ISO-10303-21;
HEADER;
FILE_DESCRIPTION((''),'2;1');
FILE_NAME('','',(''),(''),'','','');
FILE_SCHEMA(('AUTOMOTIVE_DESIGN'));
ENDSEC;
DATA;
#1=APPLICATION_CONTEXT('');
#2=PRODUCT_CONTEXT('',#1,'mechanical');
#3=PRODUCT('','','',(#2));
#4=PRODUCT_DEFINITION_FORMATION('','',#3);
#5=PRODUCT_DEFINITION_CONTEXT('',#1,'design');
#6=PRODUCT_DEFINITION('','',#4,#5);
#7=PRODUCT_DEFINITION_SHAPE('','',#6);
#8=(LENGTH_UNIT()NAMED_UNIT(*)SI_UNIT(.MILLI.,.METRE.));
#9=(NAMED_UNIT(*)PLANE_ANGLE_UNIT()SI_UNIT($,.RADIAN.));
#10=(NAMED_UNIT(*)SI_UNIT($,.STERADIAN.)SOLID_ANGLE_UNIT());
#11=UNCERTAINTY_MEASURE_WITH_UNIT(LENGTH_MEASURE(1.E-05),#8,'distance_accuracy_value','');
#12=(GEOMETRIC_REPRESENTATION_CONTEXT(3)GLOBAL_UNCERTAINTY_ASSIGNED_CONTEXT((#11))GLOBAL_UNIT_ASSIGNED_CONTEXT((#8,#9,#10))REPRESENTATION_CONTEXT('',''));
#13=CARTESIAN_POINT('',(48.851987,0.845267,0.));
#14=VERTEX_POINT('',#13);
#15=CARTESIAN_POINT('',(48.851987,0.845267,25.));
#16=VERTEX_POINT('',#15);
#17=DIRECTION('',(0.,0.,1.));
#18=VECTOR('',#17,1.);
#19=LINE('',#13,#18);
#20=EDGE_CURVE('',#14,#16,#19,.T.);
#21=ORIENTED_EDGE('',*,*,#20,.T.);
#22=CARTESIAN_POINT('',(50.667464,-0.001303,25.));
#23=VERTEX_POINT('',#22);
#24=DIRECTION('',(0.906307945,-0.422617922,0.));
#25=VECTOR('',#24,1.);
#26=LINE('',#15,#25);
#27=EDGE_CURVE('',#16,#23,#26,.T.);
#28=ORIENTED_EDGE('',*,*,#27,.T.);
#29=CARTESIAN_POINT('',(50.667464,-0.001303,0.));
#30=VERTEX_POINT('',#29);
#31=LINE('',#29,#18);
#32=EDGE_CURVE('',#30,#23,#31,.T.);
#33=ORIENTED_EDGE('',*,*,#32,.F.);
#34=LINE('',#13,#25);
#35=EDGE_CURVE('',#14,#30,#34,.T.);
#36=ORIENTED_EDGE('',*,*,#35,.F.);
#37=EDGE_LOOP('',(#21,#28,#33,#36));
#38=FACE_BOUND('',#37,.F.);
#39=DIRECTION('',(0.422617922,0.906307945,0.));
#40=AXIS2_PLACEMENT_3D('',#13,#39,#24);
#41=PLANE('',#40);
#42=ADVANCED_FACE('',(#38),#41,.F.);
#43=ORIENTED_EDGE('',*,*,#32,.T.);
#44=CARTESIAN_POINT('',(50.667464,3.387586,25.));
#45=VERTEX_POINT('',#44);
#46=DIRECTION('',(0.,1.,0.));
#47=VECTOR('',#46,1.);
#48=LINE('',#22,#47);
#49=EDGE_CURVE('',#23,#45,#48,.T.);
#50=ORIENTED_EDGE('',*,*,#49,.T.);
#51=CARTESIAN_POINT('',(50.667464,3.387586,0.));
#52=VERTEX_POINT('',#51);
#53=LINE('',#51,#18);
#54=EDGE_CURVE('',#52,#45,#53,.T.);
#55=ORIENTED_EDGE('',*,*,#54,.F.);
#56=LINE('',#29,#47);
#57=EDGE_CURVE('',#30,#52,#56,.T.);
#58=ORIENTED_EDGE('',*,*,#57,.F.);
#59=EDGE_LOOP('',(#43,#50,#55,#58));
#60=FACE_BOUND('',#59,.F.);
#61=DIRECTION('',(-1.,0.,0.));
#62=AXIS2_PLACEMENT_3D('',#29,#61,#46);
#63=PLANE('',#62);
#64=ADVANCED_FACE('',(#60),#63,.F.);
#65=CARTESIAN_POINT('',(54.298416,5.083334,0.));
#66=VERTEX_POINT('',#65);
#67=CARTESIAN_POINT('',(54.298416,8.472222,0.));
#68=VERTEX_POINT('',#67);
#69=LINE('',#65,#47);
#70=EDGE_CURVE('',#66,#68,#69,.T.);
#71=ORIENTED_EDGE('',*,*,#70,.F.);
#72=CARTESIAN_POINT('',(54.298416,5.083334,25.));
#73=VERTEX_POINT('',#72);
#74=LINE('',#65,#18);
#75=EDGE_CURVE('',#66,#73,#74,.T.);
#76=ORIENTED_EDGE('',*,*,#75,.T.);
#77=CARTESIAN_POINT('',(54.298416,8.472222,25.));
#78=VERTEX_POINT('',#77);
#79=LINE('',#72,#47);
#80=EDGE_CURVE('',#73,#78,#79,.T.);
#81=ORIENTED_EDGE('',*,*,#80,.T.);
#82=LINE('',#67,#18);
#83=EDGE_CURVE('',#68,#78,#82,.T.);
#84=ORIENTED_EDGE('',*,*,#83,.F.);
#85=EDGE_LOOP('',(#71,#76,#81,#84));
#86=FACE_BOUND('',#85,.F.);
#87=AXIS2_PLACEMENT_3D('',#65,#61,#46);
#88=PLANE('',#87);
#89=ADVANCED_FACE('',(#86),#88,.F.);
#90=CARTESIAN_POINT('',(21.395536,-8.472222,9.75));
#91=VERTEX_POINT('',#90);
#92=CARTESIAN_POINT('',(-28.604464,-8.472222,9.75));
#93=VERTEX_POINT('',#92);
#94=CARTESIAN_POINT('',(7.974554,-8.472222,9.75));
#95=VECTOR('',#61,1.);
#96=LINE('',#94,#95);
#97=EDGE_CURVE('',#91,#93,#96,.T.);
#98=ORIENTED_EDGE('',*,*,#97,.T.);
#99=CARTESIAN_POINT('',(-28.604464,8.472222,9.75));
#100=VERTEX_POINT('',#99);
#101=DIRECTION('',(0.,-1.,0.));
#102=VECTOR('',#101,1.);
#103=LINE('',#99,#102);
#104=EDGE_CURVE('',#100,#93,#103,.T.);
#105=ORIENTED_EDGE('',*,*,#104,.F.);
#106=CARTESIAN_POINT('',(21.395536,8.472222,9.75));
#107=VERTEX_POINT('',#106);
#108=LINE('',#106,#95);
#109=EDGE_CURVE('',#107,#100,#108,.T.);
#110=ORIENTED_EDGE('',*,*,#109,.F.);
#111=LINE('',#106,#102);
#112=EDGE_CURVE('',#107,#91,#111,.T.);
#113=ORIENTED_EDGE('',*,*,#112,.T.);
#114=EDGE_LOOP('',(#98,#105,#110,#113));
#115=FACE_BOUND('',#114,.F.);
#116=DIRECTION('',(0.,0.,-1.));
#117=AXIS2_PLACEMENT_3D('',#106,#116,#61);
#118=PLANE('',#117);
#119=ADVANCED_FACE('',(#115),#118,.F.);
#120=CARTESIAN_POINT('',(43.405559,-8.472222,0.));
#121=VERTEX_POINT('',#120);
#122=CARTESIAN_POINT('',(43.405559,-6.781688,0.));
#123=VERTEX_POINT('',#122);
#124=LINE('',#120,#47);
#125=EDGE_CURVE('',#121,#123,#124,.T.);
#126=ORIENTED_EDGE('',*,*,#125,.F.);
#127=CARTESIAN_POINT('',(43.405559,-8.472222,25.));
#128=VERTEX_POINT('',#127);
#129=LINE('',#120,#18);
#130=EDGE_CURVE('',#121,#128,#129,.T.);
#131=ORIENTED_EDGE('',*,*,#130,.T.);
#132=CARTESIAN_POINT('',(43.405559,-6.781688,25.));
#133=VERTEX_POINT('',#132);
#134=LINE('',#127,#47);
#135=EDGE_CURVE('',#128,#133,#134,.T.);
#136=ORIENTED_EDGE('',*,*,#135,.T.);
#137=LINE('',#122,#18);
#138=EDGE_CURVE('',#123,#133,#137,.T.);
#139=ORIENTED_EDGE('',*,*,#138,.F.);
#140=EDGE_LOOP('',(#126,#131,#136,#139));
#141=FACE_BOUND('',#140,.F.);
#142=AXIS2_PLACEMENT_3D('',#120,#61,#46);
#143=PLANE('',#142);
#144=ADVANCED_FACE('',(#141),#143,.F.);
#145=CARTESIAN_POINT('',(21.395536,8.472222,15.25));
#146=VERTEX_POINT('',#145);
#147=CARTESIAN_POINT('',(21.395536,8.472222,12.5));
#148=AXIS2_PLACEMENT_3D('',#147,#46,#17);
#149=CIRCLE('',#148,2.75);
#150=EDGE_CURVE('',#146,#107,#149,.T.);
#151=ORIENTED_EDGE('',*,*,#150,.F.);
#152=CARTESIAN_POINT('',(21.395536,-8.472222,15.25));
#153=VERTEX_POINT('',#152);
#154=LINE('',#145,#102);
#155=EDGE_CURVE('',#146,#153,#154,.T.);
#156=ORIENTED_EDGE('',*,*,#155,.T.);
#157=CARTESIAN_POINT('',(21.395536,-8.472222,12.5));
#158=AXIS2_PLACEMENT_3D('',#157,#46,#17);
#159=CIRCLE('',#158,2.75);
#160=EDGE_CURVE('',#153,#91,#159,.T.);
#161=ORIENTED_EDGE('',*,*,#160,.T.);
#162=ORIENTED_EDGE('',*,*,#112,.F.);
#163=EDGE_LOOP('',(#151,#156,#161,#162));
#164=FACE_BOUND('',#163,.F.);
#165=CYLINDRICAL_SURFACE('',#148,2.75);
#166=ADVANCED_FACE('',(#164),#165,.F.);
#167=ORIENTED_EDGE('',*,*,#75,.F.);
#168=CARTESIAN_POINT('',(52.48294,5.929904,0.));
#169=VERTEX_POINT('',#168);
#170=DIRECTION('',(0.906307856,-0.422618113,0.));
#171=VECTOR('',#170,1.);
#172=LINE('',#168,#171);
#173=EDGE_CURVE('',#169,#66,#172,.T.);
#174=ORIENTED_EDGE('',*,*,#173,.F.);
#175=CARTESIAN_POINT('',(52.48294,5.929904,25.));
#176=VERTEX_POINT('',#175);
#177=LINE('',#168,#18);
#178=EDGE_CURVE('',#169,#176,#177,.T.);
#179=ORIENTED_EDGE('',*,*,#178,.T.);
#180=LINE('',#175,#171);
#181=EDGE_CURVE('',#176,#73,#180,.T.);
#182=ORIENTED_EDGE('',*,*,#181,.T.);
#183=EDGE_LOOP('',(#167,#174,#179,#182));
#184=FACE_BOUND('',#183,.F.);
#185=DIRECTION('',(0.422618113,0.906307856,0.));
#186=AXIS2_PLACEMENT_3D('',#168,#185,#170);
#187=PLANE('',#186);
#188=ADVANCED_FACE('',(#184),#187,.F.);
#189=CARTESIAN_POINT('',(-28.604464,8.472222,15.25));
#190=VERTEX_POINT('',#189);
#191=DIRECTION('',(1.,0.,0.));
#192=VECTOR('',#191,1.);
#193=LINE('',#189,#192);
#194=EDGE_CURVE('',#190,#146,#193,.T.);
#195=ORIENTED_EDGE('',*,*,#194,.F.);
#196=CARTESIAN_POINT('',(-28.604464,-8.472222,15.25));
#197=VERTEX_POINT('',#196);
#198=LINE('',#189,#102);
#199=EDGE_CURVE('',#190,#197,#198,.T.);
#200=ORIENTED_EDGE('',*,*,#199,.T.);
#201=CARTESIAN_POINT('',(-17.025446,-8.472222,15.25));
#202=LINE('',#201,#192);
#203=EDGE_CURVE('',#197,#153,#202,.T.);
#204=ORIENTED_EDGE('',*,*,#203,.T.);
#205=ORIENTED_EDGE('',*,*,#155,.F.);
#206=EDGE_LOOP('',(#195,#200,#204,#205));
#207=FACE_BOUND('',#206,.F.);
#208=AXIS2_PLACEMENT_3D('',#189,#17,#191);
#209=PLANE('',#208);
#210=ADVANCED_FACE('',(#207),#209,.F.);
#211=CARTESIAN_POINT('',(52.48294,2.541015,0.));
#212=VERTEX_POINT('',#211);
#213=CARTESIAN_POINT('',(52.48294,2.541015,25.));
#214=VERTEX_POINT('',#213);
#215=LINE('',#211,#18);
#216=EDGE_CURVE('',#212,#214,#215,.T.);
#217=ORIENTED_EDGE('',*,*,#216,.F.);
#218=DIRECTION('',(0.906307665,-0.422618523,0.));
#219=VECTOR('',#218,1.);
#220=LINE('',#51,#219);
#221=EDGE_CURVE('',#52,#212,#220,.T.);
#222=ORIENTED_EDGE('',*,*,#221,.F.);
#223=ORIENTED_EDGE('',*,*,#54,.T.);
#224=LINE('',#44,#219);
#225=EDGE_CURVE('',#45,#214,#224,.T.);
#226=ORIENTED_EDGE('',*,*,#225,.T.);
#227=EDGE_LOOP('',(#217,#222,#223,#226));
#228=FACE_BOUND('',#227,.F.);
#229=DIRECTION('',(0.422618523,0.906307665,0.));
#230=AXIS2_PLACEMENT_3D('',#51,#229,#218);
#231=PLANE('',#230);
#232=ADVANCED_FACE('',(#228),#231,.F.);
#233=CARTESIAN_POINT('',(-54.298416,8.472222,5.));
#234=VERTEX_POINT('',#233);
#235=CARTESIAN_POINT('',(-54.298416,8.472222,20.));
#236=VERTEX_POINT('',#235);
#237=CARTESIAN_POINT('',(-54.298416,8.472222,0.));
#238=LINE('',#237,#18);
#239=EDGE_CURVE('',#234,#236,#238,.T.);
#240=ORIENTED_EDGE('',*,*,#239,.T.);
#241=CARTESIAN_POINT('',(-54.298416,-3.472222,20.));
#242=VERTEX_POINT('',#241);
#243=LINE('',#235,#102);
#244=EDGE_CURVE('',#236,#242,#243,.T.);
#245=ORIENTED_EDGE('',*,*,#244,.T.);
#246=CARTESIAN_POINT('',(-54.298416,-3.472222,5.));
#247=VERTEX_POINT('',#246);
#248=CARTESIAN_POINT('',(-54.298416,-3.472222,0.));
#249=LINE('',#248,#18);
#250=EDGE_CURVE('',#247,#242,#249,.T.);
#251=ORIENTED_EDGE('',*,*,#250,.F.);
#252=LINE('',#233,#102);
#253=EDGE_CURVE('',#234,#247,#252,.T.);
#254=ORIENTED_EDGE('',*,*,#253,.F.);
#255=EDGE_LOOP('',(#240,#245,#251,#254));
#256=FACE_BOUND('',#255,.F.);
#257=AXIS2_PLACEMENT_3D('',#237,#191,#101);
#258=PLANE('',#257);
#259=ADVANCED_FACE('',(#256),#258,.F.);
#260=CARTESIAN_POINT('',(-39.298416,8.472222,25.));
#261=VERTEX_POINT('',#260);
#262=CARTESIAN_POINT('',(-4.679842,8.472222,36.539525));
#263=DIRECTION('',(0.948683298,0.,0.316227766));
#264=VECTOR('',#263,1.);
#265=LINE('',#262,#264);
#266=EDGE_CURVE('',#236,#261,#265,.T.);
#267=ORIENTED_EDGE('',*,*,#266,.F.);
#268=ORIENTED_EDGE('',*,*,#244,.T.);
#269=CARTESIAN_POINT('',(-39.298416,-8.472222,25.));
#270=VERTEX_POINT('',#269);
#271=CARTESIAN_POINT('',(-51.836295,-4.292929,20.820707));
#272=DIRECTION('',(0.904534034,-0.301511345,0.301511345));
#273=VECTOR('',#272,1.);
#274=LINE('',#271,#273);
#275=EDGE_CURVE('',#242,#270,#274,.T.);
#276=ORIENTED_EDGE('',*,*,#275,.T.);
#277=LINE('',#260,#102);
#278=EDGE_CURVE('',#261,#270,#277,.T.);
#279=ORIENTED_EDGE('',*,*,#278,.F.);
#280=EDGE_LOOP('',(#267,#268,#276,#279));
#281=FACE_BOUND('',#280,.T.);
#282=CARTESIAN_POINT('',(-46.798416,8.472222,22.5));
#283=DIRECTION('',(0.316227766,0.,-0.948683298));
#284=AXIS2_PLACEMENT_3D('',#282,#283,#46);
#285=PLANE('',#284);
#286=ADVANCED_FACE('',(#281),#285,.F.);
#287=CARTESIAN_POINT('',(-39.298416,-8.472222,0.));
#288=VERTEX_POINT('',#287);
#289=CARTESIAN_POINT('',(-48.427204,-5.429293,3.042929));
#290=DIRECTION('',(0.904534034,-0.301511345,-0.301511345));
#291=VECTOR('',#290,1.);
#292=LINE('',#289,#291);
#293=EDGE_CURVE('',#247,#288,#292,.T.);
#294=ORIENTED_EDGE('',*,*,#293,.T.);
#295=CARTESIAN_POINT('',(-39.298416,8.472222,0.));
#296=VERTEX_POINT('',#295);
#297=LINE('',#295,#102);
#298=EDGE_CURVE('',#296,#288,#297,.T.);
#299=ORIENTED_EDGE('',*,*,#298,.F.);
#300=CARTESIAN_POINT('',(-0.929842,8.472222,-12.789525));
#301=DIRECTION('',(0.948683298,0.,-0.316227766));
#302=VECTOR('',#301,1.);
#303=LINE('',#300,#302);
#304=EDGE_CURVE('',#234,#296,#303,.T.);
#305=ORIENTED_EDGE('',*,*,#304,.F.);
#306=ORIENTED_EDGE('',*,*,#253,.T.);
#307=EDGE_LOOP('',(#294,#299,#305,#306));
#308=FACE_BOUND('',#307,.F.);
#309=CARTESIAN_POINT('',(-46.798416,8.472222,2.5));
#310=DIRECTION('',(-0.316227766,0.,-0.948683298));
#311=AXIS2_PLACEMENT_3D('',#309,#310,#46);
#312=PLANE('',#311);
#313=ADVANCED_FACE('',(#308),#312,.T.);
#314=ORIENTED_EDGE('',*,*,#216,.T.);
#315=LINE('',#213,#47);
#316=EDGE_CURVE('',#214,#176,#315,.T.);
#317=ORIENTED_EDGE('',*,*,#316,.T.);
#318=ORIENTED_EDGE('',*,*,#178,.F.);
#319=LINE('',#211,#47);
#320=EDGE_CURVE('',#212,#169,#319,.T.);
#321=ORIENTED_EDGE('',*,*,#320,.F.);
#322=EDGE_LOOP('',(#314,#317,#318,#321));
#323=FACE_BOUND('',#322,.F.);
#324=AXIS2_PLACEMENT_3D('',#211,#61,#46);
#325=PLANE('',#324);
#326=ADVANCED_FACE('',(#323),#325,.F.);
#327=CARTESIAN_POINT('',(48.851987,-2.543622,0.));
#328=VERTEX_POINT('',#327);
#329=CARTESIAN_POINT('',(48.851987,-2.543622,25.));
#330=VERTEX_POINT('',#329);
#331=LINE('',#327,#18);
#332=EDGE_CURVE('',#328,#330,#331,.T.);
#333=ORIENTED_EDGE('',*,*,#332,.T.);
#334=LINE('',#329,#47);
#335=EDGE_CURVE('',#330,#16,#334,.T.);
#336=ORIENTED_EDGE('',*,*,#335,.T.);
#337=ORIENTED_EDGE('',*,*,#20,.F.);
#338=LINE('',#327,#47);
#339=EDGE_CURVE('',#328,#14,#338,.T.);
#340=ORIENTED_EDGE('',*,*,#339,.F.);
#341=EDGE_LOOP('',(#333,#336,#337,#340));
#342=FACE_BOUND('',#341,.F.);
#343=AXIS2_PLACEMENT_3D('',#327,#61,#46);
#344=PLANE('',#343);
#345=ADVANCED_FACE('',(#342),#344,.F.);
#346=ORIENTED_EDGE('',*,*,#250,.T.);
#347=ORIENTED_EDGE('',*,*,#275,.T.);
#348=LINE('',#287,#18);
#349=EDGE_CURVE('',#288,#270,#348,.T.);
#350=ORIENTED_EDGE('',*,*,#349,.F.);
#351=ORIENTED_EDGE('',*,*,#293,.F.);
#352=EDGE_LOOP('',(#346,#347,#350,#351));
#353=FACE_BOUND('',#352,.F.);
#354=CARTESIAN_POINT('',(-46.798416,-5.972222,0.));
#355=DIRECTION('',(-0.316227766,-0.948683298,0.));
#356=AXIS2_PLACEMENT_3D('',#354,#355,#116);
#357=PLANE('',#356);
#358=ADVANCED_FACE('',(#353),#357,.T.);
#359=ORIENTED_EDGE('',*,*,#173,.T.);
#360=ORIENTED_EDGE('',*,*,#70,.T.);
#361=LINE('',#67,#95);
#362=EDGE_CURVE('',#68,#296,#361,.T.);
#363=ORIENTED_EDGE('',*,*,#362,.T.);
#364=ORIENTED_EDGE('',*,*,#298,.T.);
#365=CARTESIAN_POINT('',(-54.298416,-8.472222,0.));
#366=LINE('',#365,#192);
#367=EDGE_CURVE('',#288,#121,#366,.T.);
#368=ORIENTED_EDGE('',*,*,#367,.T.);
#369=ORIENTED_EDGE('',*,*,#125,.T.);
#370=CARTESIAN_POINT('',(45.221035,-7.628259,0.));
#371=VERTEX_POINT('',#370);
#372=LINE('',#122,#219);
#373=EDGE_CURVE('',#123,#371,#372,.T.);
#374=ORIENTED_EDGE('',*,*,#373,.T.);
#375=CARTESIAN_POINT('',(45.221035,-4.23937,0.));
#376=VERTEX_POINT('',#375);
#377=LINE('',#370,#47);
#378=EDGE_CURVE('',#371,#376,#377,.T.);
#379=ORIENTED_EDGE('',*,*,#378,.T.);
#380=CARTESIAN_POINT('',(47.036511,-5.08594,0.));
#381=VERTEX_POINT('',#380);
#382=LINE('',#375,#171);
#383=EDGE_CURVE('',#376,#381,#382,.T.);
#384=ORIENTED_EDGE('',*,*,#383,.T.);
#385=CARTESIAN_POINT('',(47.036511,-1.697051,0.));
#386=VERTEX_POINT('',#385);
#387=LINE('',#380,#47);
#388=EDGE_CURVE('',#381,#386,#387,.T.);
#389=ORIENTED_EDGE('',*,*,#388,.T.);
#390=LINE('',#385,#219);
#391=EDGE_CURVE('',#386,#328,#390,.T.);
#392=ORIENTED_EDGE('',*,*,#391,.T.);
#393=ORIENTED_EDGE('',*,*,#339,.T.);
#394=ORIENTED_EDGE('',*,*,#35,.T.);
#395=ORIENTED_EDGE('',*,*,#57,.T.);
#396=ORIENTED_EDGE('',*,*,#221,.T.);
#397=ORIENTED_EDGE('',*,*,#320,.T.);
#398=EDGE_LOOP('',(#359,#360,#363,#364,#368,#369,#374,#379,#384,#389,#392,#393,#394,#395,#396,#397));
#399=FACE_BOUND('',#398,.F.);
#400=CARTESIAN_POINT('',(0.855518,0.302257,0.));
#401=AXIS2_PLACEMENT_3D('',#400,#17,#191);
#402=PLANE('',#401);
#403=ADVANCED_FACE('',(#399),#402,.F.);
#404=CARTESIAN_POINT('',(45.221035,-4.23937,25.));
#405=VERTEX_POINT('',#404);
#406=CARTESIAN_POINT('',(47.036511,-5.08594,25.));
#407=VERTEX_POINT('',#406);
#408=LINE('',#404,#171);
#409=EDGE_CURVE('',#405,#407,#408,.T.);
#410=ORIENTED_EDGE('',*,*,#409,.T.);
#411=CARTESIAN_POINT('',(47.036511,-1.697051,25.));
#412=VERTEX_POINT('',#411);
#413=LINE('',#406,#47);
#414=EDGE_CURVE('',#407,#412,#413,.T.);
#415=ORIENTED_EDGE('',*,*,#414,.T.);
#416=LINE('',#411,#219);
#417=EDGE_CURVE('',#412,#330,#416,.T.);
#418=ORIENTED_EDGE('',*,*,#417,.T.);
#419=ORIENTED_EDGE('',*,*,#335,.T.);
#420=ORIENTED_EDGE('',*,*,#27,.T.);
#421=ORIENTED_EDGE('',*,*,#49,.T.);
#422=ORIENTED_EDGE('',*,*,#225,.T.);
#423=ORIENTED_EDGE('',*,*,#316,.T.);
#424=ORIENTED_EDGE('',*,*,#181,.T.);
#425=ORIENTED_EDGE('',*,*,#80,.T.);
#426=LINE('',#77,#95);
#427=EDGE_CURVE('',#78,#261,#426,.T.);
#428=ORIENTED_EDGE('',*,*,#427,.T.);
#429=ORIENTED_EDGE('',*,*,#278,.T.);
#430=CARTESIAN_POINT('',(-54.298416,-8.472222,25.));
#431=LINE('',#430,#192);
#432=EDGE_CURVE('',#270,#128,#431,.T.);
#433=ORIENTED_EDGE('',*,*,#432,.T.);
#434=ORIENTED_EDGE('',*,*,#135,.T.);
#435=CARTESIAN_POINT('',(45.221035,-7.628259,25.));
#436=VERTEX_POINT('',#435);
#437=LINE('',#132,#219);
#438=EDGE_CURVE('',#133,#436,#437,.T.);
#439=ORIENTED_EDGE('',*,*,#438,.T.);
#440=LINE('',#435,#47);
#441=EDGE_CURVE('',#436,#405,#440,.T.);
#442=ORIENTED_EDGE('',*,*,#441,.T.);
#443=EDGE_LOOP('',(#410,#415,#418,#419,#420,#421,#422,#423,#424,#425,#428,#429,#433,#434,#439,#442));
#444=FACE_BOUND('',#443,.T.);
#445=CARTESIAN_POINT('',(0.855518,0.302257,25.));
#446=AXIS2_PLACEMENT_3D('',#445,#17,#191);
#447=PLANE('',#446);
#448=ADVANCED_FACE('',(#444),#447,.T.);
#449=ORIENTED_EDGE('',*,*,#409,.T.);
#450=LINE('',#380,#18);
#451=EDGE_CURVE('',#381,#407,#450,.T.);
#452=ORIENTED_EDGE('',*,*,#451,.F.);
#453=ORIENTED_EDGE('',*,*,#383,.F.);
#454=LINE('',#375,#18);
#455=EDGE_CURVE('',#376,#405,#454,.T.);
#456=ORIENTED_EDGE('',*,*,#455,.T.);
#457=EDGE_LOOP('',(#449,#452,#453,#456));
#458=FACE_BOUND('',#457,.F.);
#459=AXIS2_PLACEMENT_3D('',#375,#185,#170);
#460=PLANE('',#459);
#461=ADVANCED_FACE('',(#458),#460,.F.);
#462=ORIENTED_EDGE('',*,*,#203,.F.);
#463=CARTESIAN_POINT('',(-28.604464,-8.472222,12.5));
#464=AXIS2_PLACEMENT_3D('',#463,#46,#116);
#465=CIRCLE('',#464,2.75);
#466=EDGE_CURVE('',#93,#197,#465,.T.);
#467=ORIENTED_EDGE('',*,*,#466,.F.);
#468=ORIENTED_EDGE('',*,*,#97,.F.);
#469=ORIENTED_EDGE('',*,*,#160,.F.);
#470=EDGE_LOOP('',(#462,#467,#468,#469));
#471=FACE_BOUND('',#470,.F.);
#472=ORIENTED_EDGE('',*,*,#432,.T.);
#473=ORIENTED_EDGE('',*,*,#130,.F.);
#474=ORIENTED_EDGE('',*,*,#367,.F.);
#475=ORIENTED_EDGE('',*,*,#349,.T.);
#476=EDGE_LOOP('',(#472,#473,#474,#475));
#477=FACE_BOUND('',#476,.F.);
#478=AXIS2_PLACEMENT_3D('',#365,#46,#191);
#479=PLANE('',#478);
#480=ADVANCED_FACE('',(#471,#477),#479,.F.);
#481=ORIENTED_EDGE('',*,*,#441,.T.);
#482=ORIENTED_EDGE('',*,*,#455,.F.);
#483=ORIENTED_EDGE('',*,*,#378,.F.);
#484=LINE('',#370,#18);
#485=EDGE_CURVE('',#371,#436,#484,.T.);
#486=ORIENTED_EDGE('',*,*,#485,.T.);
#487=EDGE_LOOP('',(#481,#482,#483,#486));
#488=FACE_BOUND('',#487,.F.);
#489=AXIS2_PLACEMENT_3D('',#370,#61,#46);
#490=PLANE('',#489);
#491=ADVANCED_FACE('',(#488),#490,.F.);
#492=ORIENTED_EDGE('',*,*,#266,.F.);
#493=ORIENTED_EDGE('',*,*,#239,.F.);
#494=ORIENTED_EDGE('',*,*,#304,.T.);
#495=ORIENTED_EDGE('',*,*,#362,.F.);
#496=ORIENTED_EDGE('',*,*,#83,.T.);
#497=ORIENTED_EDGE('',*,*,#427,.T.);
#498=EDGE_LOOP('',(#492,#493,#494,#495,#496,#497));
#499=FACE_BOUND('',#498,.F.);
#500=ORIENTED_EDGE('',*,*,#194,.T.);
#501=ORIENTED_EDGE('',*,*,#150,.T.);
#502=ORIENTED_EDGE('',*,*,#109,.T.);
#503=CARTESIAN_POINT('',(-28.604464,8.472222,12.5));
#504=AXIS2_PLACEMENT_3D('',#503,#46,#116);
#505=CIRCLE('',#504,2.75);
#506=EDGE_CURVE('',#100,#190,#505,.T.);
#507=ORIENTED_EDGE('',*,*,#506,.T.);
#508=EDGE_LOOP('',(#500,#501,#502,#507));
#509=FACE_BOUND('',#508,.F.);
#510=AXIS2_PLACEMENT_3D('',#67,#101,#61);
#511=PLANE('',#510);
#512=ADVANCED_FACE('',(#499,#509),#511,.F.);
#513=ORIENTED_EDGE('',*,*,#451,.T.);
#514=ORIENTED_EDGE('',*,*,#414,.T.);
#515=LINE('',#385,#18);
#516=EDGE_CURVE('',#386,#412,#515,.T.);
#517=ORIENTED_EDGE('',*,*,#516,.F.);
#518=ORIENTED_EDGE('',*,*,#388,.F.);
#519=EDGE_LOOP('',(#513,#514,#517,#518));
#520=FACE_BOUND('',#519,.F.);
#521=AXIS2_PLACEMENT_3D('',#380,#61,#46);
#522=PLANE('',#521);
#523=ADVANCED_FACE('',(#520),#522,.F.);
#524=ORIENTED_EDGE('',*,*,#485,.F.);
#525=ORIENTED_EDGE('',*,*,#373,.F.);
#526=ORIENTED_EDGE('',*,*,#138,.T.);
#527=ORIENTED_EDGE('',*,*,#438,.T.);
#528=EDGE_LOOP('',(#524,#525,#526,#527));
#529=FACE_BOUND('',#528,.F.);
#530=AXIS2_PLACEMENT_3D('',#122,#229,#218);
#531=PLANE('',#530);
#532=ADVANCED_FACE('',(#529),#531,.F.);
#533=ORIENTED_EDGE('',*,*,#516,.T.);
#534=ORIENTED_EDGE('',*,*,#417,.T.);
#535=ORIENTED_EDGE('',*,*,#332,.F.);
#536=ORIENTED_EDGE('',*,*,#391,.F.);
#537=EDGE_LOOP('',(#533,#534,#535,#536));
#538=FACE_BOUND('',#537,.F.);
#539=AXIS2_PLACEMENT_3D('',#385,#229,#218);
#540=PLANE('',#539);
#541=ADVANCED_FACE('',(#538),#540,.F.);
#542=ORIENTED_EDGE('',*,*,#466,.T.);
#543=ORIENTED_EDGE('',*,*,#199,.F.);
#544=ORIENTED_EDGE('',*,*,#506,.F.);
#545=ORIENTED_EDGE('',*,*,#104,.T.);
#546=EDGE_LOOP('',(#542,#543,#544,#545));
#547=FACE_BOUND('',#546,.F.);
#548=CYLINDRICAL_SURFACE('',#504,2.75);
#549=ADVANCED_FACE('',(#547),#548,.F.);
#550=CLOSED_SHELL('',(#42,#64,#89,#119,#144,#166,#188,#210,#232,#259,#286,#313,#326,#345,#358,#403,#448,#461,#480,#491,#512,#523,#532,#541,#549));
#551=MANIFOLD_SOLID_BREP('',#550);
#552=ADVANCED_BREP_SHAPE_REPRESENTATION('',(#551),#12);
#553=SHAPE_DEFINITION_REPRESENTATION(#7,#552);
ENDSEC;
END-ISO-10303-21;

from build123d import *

# Parameters (mm, degrees)
F1_DEPTH   = 25
F1_FACE1_W = 97.703975
F1_FACE1_H = 25
F3_DEPTH   = 25
F4_SIZE2   = 15
F4_SIZE    = 5


with BuildPart() as f1:
    # F0 (on Top) → F1 (new body)
    with BuildSketch(Plane.XY):
        Polygon((-54.298416, 8.472222), (-54.298416, -8.472222), (43.405559, -8.472222), (43.405559, -6.781688), (45.221035, -7.628259), (45.221035, -4.23937), (47.036511, -5.08594), (47.036511, -1.697051), (48.851987, -2.543622), (48.851987, 0.845267), (50.667464, -0.001303), (50.667464, 3.387586), (52.48294, 2.541015), (52.48294, 5.929904), (54.298416, 5.083334), (54.298416, 8.472222), align=None)
    extrude(amount=F1_DEPTH)

    # F2 (on face) + F1_face1 (on face) → F3 (cut)
    with BuildSketch(Plane(origin=(0, 8.472222, 0), x_dir=(-1, 0, 0), z_dir=(0, 1, 0))):
        with BuildLine():
            Line((-21.3955357732, 9.75), (28.6044642268, 9.75))
            ThreePointArc((28.6044642268, 9.75), (31.3544642268, 12.5), (28.6044642268, 15.25))
            Line((28.6044642268, 15.25), (-21.3955357732, 15.25))
            ThreePointArc((-21.3955357732, 15.25), (-24.1455357732, 12.5), (-21.3955357732, 9.75))
        make_face()
    with BuildSketch(Plane(origin=(-5.4464285, -8.472222, 12.5), x_dir=(1, 0, 0), z_dir=(0, -1, 0))):
        Rectangle(F1_FACE1_W, F1_FACE1_H)
    extrude(amount=-F3_DEPTH, dir=(0, 1, 0), mode=Mode.SUBTRACT)

    # F4
    f4_edges = [f1.edges().sort_by_distance(p)[0] for p in [
        (-54.298416, 0, 25),
        (-54.298416, 0, 0),
        (-54.298416, -8.472222, 12.5),
    ]]
    f4_side = f1.faces().sort_by_distance((-54.298416, 0, 12.5))[0]
    chamfer(f4_edges, length=F4_SIZE, length2=F4_SIZE2, reference=f4_side)


solid = f1.part
